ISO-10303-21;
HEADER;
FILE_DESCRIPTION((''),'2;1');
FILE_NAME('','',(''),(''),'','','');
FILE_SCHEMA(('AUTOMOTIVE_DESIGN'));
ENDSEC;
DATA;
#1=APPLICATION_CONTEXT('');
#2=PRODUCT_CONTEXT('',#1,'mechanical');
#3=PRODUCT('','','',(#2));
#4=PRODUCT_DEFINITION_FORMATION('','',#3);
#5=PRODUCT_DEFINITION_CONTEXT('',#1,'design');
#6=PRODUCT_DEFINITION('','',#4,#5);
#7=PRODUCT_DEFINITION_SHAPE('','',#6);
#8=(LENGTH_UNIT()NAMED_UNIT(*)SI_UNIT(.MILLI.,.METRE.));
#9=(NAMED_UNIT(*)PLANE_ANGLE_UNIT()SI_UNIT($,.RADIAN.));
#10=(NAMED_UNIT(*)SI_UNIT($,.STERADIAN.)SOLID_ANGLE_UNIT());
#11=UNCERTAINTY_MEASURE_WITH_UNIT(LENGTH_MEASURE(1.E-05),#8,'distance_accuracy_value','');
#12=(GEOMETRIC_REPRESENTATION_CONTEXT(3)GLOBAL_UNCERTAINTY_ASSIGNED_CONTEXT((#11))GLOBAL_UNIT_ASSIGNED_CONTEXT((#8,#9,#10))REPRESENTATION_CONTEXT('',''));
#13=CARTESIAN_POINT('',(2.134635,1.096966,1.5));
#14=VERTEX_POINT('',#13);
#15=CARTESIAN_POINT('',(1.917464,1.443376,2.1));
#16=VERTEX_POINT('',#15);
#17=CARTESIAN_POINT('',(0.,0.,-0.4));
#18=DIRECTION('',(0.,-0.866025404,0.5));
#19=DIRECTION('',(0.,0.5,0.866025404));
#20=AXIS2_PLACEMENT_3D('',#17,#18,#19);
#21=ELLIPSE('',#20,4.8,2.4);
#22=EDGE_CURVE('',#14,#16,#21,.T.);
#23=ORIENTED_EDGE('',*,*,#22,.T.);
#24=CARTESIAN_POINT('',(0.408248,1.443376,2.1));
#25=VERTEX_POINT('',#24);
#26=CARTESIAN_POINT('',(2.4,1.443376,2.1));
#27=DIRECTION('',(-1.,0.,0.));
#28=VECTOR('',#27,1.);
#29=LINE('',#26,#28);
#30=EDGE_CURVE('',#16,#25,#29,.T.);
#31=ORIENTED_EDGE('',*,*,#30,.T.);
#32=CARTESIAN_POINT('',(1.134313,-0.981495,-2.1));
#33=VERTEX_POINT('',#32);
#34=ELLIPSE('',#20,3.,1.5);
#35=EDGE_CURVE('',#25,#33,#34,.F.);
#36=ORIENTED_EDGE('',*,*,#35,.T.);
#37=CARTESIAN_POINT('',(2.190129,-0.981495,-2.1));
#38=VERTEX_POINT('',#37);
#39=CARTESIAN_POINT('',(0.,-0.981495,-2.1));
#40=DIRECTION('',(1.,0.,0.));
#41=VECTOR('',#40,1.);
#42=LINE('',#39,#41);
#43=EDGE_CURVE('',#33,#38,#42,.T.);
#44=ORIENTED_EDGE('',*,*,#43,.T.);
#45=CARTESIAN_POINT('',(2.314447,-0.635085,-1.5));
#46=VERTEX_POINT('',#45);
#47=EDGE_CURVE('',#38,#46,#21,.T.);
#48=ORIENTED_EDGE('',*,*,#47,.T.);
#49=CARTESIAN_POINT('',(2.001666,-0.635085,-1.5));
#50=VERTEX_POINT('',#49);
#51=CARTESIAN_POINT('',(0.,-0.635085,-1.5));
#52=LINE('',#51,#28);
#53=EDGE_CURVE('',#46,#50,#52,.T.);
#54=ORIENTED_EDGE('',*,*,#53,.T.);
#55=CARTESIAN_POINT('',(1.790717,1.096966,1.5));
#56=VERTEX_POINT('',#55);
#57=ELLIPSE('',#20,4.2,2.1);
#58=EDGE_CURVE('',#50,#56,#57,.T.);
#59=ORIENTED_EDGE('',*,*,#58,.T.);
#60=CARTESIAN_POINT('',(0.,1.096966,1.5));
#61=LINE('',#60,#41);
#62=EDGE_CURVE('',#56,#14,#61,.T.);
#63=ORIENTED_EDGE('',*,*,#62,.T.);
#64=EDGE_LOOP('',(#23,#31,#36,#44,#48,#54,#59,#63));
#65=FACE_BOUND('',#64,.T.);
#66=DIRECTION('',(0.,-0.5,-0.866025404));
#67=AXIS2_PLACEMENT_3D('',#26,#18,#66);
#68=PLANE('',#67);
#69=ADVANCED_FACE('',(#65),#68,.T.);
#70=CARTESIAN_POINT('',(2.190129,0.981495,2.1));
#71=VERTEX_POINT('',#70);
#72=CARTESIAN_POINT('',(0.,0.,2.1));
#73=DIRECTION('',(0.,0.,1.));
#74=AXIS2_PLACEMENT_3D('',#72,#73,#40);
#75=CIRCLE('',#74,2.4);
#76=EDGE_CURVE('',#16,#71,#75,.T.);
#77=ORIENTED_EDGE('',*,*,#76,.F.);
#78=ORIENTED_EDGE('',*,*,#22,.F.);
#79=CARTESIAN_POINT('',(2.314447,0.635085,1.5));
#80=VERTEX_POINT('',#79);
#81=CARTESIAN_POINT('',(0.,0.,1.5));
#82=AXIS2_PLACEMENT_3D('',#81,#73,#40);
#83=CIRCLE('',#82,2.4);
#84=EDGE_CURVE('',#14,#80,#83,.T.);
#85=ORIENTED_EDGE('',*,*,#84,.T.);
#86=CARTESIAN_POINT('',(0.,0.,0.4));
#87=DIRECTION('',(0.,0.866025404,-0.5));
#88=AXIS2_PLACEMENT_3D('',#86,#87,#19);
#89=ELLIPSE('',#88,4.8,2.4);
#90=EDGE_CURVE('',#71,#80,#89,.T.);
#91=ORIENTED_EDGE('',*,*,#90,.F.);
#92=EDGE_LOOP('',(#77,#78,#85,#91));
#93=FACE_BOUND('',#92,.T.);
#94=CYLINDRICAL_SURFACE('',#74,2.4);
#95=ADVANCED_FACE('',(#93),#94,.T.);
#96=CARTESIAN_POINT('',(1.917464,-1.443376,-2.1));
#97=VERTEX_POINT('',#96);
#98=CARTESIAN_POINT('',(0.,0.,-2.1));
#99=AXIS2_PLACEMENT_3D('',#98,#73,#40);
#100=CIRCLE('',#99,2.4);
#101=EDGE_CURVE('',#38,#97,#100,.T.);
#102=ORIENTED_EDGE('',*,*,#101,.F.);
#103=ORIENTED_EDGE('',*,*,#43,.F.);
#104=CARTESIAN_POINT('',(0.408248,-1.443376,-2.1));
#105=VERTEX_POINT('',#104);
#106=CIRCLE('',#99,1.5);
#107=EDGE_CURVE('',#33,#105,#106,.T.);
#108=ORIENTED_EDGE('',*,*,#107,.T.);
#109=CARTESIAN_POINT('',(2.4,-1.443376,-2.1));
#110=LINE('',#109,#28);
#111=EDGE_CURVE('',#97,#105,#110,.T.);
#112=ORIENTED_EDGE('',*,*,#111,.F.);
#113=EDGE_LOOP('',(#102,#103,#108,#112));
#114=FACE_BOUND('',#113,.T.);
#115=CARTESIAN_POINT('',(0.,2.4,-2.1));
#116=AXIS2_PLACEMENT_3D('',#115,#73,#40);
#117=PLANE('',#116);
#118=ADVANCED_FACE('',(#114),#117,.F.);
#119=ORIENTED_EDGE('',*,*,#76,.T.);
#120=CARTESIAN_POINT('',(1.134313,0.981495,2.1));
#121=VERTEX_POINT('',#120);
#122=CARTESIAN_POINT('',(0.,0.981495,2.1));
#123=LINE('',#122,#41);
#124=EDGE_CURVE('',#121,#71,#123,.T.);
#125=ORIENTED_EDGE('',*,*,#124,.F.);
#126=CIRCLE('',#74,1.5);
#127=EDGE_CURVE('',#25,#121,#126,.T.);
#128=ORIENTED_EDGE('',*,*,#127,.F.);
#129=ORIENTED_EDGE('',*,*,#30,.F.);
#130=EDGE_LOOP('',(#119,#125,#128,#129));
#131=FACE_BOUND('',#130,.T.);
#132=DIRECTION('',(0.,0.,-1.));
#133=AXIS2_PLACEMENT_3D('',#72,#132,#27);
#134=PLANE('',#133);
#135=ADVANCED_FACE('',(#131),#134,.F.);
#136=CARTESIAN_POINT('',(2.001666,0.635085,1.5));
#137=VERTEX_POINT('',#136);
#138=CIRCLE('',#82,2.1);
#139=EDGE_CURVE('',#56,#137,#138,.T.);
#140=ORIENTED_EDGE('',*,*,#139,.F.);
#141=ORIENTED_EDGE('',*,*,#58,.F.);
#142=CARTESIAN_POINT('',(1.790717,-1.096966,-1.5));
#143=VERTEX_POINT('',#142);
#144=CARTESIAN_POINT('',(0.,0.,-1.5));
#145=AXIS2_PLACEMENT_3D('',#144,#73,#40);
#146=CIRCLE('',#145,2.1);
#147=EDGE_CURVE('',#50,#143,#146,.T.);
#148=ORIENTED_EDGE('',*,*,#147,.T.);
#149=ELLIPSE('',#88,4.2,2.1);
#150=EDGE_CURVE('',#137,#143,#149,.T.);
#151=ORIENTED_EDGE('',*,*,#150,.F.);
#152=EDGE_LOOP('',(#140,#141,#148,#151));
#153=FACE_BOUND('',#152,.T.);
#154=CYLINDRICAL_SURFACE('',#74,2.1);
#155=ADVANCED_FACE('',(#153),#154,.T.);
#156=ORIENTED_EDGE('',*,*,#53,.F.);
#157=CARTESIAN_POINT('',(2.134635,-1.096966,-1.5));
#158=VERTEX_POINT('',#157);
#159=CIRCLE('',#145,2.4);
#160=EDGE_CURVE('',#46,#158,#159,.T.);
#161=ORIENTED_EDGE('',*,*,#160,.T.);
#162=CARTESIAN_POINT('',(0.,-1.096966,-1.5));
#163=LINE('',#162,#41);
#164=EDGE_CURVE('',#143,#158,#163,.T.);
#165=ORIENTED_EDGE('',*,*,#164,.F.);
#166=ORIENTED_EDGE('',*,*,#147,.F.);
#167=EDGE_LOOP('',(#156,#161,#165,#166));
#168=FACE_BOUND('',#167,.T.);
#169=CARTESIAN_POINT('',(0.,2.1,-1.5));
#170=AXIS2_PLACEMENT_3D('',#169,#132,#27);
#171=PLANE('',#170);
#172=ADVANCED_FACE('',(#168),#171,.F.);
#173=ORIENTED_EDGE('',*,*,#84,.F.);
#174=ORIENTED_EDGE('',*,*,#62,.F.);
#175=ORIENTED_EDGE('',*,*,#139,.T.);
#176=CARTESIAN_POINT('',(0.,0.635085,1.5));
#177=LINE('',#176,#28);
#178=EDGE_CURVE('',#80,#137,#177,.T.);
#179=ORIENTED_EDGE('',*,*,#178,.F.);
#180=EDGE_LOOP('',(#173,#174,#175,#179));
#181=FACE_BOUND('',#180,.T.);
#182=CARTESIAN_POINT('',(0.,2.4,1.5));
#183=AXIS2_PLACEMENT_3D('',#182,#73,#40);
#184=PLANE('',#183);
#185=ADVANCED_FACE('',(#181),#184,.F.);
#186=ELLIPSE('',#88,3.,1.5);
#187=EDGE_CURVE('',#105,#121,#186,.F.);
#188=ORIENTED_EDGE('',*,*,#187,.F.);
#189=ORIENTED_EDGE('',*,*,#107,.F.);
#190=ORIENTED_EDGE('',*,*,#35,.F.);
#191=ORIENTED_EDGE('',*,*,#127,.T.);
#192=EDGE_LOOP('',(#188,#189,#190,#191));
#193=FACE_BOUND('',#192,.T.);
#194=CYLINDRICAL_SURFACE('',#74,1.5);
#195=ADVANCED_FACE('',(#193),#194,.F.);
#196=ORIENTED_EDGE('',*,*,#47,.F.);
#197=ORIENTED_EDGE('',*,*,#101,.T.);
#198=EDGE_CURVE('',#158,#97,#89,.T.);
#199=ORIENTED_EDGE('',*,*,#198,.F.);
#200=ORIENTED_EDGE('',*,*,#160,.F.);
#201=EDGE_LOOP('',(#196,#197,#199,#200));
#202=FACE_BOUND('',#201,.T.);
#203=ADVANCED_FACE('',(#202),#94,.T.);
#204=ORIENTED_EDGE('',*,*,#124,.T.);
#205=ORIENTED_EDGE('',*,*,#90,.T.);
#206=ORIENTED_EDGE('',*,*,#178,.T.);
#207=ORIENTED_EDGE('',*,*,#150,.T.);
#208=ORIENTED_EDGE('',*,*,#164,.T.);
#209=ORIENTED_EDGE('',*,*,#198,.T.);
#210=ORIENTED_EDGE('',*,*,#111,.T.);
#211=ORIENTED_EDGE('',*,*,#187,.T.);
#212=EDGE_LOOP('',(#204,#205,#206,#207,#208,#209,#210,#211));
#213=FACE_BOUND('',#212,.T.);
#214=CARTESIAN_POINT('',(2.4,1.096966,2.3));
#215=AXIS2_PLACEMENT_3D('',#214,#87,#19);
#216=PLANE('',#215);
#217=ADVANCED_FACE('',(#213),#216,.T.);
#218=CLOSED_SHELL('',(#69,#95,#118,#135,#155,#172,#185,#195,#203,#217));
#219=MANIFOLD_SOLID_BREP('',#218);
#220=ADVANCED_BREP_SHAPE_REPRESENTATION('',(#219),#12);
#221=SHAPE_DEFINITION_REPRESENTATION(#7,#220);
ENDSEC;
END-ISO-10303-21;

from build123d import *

# Parameters (mm, degrees)
F_3_0MM_DOWEL_HOLE1_D = 3
CUT_EXTRUDE1_DEPTH    = 4.991240409


with BuildPart() as part:
    # Sketch1 → Revolve1 (revolve)
    with BuildSketch(Plane(origin=(0, 0, 0), x_dir=(0, 0, -1), z_dir=(1, 0, 0)), mode=Mode.PRIVATE) as revolve1_sk:
        Polygon((-1.5, 2.4), (-1.5, 2.1), (1.5, 2.1), (1.5, 2.4), (2.1, 2.4), (2.1, 0), (-2.1, 0), (-2.1, 2.4), align=None)
    revolve(revolve1_sk.sketch.rotate(Axis((0, 0, 2.1), (0, 0, -1)), 90), axis=Axis((0, 0, 2.1), (0, 0, -1)))

    # Ø3.0mm Dowel Hole1 (through all)
    with Locations(Plane.XY.offset(2.1)):
        with Locations((0, 0)):
            Hole(F_3_0MM_DOWEL_HOLE1_D / 2)

    # Sketch4 → Cut-Extrude1 (cut, through all)
    with BuildSketch(Plane(origin=(0, 0, 0), x_dir=(0, 0, -1), z_dir=(1, 0, 0))):
        Polygon((-2.3, 1.096965511), (-2.1, 1.443375673), (2.3, -1.096965511), (2.1, -1.443375673), align=None)
    extrude(amount=CUT_EXTRUDE1_DEPTH, mode=Mode.SUBTRACT)


solid = part.part
